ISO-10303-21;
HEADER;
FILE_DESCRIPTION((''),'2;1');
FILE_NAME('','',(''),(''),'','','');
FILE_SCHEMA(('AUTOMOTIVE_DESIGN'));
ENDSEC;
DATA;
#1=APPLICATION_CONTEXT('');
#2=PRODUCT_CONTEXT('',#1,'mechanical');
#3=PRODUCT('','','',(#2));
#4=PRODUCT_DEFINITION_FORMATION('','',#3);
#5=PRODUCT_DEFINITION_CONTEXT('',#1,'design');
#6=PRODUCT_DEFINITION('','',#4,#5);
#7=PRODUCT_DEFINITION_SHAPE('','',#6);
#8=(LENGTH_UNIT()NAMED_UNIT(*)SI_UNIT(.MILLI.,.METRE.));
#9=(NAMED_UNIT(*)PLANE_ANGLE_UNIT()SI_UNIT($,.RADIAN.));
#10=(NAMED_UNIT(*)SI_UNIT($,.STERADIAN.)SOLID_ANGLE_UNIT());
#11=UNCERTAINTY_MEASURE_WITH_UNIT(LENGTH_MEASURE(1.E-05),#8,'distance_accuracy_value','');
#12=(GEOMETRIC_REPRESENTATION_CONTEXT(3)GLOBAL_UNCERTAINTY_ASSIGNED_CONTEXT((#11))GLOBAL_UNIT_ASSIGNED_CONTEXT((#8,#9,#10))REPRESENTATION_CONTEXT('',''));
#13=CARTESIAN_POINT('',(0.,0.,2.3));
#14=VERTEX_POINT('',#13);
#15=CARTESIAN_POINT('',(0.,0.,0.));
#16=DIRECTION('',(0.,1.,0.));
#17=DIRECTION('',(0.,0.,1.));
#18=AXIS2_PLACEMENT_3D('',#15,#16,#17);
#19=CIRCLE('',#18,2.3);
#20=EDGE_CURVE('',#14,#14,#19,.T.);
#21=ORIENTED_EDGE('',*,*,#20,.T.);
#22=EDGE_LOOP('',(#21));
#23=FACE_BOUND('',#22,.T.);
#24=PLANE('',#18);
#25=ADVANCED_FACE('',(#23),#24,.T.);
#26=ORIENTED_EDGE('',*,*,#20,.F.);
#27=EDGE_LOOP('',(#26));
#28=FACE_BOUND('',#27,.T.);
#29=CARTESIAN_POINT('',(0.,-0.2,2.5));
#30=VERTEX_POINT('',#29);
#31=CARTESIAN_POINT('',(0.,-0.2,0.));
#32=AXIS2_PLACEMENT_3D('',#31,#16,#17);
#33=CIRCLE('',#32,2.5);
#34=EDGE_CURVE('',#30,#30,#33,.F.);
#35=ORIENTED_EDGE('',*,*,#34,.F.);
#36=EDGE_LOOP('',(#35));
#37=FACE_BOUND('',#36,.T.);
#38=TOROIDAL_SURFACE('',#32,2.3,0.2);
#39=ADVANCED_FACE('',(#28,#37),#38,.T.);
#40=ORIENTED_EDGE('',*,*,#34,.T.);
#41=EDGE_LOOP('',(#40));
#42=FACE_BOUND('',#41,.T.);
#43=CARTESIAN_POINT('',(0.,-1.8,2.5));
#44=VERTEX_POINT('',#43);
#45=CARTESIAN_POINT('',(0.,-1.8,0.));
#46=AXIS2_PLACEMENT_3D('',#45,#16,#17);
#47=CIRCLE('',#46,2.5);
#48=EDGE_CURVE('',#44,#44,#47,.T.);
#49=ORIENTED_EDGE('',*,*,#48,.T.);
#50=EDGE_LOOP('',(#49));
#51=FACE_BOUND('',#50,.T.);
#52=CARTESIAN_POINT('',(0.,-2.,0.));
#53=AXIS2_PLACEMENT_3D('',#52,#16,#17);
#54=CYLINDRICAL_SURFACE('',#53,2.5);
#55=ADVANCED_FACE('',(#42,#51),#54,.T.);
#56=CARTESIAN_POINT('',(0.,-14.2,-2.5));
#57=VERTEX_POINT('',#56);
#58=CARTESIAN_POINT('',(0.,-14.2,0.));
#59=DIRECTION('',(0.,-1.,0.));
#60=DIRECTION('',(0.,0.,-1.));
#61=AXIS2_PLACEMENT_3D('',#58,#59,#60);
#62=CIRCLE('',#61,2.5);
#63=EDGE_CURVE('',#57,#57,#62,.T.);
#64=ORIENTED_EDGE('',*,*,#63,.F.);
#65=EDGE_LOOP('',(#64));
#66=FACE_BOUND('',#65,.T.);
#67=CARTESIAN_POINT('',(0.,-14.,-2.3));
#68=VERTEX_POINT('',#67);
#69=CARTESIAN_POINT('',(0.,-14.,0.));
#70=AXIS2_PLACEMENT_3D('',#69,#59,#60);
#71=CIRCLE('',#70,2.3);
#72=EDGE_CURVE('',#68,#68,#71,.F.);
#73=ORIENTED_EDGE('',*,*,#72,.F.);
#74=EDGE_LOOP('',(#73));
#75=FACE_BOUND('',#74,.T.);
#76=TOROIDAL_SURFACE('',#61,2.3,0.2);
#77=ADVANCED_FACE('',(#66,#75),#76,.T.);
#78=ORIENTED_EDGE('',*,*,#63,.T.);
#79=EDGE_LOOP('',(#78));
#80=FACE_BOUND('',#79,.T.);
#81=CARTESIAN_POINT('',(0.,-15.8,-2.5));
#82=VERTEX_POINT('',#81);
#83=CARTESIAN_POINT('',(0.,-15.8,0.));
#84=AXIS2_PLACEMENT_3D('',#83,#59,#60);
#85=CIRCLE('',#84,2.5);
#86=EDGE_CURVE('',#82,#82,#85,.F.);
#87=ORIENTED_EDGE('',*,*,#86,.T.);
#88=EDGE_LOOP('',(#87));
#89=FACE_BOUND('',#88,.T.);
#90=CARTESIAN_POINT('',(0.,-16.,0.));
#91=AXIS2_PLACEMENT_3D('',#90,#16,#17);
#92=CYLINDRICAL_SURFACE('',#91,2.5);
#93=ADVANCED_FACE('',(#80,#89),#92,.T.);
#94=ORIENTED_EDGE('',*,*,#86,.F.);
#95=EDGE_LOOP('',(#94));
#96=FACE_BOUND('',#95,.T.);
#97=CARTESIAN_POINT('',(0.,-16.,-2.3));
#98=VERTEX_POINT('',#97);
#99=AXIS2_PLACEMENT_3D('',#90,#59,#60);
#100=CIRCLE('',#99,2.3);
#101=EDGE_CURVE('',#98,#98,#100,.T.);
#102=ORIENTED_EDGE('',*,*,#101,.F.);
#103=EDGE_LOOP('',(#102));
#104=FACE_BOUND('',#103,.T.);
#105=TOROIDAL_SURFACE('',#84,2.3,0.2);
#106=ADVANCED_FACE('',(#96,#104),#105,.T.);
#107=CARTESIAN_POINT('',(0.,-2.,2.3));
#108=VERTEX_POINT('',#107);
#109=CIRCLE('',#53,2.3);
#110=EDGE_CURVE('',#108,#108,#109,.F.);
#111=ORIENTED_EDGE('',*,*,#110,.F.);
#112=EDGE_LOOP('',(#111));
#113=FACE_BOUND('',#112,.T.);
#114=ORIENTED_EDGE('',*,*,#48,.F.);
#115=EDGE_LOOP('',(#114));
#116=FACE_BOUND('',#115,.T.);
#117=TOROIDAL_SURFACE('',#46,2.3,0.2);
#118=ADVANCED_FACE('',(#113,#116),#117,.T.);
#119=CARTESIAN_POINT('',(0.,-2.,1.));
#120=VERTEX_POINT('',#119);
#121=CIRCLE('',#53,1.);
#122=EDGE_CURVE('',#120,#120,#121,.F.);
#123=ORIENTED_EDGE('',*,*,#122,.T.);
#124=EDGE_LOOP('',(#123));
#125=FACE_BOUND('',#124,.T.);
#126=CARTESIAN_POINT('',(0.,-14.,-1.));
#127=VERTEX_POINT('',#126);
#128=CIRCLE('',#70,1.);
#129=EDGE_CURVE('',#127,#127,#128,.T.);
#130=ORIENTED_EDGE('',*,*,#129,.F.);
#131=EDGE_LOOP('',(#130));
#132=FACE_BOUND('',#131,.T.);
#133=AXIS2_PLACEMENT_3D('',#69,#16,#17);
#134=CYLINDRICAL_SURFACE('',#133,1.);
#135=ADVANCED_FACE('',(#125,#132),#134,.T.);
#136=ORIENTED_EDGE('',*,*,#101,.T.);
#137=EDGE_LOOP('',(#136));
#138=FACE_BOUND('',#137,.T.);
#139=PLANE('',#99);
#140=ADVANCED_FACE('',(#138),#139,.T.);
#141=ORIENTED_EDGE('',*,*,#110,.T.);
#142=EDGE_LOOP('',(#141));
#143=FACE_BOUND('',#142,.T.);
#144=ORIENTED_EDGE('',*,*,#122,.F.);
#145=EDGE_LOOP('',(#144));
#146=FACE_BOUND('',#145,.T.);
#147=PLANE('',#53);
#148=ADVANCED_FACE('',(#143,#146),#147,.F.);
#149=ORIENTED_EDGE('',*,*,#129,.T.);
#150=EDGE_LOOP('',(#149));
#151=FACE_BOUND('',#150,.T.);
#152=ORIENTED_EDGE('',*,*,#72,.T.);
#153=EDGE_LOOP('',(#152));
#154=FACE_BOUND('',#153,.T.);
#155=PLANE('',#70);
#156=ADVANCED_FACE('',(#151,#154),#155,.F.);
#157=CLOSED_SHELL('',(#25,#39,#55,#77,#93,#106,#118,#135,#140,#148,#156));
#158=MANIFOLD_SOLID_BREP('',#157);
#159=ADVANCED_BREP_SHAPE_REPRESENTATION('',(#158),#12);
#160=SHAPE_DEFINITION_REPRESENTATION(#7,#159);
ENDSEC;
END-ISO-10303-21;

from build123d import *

# Parameters (mm, degrees)
SKETCH1_R           = 2.5
BOSS_EXTRUDE1_DEPTH = 2
SKETCH2_R           = 1
BOSS_EXTRUDE2_DEPTH = 12
SKETCH3_R           = 2.5
BOSS_EXTRUDE3_DEPTH = 2
FILLET1_R           = 0.2


with BuildPart() as part:
    # Sketch1 → Boss-Extrude1 (new body)
    with BuildSketch(Plane(origin=(0, 0, 0), x_dir=(1, 0, 0), z_dir=(0, 1, 0))):
        Circle(SKETCH1_R)
    extrude(amount=-BOSS_EXTRUDE1_DEPTH)

    # Sketch2 → Boss-Extrude2 (add)
    with BuildSketch(Plane.XZ.offset(2)):
        Circle(SKETCH2_R)
    extrude(amount=BOSS_EXTRUDE2_DEPTH)

    # Sketch3 → Boss-Extrude3 (add)
    with BuildSketch(Plane.XZ.offset(14)):
        Circle(SKETCH3_R)
    extrude(amount=BOSS_EXTRUDE3_DEPTH)

    # Fillet1
    fillet1_edges = [part.edges().sort_by_distance(p)[0] for p in [
        (-2.5, 0, 0),
        (-2.5, -2, 0),
        (-2.5, -14, 0),
        (-2.5, -16, 0),
    ]]
    fillet(fillet1_edges, radius=FILLET1_R)


solid = part.part
